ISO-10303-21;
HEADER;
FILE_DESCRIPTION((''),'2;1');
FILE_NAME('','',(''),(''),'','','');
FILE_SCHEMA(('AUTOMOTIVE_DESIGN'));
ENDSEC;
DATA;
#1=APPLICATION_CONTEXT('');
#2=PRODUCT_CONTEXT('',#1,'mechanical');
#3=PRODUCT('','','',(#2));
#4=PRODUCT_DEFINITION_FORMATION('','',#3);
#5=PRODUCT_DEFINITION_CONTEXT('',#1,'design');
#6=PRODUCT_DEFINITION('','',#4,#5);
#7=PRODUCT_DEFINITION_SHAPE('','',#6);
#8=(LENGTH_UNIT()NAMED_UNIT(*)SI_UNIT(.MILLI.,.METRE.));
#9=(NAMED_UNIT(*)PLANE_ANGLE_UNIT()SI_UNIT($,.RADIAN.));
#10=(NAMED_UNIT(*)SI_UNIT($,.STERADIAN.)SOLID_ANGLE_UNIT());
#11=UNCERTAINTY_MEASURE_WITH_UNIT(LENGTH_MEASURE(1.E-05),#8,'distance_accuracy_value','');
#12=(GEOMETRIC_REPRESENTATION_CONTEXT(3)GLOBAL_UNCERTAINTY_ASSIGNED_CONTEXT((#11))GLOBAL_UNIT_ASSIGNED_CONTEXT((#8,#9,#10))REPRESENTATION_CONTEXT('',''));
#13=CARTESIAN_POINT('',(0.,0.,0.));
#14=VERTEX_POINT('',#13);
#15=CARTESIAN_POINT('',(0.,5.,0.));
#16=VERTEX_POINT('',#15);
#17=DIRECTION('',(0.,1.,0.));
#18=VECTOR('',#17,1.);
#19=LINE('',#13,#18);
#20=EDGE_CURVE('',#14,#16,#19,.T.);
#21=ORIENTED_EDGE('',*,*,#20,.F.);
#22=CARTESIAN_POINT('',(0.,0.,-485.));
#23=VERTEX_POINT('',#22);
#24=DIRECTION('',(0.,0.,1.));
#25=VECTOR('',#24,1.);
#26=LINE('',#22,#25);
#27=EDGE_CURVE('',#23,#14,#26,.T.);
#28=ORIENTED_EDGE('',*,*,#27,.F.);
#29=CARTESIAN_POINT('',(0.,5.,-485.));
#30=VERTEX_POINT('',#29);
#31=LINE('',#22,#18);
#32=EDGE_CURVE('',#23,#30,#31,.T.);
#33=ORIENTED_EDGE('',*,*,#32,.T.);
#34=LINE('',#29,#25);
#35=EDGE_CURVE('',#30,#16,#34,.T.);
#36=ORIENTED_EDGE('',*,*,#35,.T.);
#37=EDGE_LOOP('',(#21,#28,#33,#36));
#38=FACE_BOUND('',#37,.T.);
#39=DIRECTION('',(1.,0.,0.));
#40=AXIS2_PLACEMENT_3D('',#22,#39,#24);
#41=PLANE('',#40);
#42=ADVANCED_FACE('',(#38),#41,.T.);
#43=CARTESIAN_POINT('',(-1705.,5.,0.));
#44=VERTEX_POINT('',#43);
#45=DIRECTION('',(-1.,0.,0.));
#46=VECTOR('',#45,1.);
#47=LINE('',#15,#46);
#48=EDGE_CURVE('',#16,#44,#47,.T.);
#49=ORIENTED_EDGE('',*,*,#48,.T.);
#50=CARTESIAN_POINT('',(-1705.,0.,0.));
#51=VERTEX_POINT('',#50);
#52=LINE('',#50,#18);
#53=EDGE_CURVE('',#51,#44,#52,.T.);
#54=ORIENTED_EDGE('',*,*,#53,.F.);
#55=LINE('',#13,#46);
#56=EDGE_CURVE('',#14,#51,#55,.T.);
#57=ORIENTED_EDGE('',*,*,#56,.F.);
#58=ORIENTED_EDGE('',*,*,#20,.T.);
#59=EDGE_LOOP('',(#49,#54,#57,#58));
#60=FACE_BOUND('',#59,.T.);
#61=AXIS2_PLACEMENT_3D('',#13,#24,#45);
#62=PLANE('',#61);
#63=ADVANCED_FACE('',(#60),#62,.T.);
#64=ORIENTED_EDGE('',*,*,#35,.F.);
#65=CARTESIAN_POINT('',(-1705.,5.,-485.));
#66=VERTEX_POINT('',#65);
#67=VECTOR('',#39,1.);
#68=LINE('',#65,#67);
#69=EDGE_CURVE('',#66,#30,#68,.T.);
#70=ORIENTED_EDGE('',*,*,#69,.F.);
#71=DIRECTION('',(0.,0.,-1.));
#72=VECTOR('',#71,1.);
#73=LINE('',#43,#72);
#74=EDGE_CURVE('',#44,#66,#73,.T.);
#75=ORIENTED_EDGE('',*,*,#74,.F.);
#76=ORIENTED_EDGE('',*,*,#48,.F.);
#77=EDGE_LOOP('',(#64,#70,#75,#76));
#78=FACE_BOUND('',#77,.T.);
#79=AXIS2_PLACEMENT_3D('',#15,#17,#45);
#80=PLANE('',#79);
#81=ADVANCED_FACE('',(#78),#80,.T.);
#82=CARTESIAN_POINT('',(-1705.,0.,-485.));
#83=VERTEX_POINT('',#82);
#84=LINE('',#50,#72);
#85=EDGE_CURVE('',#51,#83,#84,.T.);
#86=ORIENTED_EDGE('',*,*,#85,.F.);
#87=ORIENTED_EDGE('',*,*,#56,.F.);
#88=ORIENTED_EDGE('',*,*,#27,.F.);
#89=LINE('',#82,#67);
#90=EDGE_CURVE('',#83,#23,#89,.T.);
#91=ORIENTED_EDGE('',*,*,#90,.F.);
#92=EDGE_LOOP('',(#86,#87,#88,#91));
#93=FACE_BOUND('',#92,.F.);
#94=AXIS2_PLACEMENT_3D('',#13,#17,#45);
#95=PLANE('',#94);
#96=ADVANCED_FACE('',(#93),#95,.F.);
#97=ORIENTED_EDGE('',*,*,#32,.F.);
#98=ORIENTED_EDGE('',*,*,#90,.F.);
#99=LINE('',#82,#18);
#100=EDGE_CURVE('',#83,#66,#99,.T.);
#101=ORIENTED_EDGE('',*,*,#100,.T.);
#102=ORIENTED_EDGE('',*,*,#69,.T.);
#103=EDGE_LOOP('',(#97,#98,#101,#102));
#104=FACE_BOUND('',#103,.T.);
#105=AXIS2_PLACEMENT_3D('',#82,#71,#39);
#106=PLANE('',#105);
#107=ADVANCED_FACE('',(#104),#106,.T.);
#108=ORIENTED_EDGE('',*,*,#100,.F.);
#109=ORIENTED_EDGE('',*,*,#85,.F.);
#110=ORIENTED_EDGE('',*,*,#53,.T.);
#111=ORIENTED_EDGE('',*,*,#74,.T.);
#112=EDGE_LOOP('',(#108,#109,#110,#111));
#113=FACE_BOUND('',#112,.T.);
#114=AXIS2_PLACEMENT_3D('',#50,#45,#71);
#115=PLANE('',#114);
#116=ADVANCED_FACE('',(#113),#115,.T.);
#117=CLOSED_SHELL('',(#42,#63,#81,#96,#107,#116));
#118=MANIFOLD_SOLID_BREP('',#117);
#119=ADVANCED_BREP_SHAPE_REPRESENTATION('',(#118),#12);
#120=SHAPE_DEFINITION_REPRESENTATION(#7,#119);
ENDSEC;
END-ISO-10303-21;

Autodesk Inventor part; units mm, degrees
ref_plane "YZ Plane" through (0, 0, 0) normal (1, 0, 0) x (0, 1, 0)
ref_plane "XZ Plane" through (0, 0, 0) normal (0, 1, 0) x (-1, 0, 0)
ref_plane "XY Plane" through (0, 0, 0) normal (0, 0, 1) x (1, 0, 0)
sketch "Sketch1" plane through (0, 0, 0) normal (0, 1, 0) x (-1, 0, 0)
  line L0 (0, 0) -> (1705, 0)
  line L1 (1705, 0) -> (1705, -485)
  line L2 (1705, -485) -> (0, -485)
  line L3 (0, -485) -> (0, 0)
  dimension "d0" = 1705
  dimension "d1" = 485
extrude "Extrusion1" add sketch "Sketch1" along normal blind 5
properties part number "side"
